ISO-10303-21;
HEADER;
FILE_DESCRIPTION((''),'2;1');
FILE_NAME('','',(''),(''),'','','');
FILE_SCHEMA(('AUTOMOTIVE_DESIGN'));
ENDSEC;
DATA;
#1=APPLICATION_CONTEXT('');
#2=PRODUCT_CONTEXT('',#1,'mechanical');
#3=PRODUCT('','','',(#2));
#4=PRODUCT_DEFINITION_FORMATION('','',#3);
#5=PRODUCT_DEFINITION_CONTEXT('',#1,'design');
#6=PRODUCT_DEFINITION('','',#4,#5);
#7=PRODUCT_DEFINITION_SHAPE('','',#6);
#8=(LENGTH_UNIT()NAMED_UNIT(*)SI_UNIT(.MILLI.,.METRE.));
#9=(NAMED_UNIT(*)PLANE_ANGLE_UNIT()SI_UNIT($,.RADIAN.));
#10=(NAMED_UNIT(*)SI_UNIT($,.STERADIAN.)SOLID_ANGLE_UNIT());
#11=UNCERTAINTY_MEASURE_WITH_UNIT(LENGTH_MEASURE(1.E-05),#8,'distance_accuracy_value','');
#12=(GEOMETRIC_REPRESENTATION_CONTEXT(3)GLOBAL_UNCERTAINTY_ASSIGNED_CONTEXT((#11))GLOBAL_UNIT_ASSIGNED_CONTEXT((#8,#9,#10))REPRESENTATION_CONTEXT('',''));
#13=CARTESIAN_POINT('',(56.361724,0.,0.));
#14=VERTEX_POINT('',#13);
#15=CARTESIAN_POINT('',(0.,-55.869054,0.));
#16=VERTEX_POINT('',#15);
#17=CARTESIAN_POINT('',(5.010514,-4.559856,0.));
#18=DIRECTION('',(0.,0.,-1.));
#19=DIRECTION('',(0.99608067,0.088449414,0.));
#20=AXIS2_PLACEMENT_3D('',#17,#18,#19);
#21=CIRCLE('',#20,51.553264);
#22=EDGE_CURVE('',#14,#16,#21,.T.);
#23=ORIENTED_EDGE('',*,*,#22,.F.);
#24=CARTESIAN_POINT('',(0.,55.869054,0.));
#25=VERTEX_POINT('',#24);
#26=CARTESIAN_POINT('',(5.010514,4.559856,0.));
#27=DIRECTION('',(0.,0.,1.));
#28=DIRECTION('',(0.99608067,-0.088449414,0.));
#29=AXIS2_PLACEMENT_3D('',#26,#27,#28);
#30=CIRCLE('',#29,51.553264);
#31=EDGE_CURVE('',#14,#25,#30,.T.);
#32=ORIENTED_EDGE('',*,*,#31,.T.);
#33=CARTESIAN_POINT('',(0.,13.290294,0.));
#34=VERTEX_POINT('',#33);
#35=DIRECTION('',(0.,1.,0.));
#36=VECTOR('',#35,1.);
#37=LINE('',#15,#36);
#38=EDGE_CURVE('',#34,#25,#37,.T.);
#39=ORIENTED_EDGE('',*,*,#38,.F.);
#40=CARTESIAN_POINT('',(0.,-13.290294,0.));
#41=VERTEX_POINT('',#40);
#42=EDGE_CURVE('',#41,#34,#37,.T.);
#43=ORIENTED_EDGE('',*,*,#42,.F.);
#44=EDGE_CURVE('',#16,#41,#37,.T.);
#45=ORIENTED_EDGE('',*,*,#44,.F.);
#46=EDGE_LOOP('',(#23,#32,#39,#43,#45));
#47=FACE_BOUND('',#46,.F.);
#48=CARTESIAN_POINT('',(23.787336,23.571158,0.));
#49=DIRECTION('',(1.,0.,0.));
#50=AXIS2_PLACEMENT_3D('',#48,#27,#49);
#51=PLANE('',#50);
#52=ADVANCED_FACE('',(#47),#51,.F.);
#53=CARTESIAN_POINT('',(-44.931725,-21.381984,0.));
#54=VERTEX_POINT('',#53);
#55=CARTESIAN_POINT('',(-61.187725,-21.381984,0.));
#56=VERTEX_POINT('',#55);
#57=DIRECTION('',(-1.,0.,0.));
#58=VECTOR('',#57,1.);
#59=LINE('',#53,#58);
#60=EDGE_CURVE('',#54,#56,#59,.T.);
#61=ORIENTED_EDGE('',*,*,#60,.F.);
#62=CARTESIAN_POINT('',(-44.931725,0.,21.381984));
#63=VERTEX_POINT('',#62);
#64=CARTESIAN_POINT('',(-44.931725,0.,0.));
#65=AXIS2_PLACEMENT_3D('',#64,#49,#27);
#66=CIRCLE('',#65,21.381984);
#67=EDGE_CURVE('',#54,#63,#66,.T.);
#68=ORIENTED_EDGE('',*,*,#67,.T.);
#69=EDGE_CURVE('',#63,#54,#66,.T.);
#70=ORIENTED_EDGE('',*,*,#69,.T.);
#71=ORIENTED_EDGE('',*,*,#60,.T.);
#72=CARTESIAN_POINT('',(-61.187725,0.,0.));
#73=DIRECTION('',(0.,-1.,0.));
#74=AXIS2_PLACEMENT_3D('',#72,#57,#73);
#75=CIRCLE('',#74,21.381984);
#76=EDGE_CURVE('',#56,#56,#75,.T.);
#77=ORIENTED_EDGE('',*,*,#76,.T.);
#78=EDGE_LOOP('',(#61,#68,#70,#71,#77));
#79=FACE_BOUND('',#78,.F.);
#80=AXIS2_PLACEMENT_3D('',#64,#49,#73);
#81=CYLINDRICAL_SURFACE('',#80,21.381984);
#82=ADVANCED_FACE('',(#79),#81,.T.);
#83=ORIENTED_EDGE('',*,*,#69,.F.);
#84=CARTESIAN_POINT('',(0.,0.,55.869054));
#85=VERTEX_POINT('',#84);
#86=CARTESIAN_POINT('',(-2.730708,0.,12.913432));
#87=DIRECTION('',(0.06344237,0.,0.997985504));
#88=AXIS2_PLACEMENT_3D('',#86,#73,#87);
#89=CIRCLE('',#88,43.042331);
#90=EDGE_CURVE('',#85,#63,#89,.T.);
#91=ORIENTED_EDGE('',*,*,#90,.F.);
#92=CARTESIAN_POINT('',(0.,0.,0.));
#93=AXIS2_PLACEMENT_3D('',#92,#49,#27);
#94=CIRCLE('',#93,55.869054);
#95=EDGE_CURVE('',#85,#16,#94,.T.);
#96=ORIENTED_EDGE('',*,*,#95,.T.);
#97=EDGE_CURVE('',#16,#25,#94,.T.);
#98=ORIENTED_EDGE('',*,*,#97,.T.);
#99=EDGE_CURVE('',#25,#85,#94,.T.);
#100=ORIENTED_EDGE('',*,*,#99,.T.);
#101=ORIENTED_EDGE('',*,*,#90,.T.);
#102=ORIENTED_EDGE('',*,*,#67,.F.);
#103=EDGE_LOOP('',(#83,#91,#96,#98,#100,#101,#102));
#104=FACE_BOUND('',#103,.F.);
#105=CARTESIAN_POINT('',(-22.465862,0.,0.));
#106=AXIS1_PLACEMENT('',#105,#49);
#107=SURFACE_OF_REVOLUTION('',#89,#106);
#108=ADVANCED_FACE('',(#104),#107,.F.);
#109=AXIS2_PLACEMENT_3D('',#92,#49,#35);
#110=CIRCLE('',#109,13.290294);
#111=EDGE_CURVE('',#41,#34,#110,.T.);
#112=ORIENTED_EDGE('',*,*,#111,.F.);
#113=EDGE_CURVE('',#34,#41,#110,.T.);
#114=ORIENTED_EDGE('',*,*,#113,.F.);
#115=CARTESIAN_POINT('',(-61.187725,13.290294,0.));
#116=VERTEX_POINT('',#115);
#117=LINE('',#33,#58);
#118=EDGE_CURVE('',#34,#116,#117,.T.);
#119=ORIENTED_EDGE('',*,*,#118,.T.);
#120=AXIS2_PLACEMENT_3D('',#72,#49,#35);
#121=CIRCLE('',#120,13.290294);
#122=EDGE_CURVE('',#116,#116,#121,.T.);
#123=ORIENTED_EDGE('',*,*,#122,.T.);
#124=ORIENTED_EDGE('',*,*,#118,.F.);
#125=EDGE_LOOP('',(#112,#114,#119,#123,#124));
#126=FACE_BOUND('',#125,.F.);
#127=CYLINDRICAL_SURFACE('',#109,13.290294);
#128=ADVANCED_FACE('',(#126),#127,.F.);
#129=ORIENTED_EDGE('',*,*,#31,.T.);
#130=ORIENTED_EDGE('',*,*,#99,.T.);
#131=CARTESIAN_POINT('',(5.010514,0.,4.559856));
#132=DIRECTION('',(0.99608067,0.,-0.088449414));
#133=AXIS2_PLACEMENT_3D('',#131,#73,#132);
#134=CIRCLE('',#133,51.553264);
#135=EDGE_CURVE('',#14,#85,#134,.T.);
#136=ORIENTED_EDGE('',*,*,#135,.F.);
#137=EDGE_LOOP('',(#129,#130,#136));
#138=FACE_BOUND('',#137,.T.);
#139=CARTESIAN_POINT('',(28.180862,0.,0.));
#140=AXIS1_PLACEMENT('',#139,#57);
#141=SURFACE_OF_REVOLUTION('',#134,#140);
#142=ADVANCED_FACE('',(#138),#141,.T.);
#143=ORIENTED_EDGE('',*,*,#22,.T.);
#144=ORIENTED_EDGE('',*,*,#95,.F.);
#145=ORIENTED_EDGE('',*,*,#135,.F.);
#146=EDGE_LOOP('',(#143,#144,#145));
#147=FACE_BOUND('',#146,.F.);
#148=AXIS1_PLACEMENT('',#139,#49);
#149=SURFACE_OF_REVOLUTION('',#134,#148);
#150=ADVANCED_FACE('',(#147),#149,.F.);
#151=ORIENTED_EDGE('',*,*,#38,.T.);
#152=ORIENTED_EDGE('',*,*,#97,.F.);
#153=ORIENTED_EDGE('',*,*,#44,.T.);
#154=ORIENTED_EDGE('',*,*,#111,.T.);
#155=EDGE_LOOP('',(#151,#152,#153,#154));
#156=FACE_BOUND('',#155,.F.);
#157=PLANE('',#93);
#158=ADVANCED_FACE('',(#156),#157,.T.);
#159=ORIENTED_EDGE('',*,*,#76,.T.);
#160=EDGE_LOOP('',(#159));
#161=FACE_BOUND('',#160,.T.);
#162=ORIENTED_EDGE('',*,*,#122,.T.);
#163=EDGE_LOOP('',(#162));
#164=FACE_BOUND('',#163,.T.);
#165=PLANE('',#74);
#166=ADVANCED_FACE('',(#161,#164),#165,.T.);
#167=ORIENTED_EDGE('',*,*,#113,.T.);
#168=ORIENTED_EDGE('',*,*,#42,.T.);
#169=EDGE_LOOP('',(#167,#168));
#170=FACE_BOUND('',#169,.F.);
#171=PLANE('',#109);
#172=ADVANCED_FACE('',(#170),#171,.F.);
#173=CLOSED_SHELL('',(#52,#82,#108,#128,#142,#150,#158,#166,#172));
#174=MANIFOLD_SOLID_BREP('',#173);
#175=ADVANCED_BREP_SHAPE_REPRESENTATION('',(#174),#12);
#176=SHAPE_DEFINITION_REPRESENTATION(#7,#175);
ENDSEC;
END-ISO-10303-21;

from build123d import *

# Parameters (mm, degrees)
F2_ANGLE  = 180
F1_FACE_R = 21.381984
F3_DEPTH  = 16.256
F4_R      = 13.290294
F5_DEPTH  = 115.57


with BuildPart() as f1:
    # F0 (on Front) → F1 (revolve)
    with BuildSketch(Plane.XZ):
        with BuildLine():
            Line((-44.931725, 21.381984), (-44.931725, 0))
            Line((-44.931725, 0), (0, 0))
            Line((0, 0), (0, 55.869054))
            ThreePointArc((0, 55.869054), (-28.937879, 47.057632), (-44.931725, 21.381984))
        make_face()
    revolve(axis=Axis((-22.465862, 0, 0), (1, 0, 0)))

    # F0 (on Front) → F2 (revolve, symmetric)
    with BuildSketch(Plane.XZ) as f2_sk:
        with BuildLine():
            Line((0, 55.869054), (0, 0))
            Line((0, 0), (56.361724, 0))
            ThreePointArc((56.361724, 0), (41.303803, 41.17319), (0, 55.869054))
        make_face()
    revolve(axis=Axis((28.180862, 0, 0), (1, 0, 0)), revolution_arc=F2_ANGLE / 2)
    revolve(f2_sk.sketch, axis=Axis((28.180862, 0, 0), (-1, 0, 0)), revolution_arc=F2_ANGLE / 2)

    # F1_face (on face) → F3 (join)
    with BuildSketch(Plane(origin=(-44.931725, 0, 0), x_dir=(0, -1, 0), z_dir=(-1, 0, 0))):
        Circle(F1_FACE_R)
    extrude(amount=F3_DEPTH)

    # F4 (on Right) → F5 (cut)
    with BuildSketch(Plane.YZ):
        Circle(F4_R)
    extrude(amount=-F5_DEPTH, mode=Mode.SUBTRACT)


solid = f1.part
